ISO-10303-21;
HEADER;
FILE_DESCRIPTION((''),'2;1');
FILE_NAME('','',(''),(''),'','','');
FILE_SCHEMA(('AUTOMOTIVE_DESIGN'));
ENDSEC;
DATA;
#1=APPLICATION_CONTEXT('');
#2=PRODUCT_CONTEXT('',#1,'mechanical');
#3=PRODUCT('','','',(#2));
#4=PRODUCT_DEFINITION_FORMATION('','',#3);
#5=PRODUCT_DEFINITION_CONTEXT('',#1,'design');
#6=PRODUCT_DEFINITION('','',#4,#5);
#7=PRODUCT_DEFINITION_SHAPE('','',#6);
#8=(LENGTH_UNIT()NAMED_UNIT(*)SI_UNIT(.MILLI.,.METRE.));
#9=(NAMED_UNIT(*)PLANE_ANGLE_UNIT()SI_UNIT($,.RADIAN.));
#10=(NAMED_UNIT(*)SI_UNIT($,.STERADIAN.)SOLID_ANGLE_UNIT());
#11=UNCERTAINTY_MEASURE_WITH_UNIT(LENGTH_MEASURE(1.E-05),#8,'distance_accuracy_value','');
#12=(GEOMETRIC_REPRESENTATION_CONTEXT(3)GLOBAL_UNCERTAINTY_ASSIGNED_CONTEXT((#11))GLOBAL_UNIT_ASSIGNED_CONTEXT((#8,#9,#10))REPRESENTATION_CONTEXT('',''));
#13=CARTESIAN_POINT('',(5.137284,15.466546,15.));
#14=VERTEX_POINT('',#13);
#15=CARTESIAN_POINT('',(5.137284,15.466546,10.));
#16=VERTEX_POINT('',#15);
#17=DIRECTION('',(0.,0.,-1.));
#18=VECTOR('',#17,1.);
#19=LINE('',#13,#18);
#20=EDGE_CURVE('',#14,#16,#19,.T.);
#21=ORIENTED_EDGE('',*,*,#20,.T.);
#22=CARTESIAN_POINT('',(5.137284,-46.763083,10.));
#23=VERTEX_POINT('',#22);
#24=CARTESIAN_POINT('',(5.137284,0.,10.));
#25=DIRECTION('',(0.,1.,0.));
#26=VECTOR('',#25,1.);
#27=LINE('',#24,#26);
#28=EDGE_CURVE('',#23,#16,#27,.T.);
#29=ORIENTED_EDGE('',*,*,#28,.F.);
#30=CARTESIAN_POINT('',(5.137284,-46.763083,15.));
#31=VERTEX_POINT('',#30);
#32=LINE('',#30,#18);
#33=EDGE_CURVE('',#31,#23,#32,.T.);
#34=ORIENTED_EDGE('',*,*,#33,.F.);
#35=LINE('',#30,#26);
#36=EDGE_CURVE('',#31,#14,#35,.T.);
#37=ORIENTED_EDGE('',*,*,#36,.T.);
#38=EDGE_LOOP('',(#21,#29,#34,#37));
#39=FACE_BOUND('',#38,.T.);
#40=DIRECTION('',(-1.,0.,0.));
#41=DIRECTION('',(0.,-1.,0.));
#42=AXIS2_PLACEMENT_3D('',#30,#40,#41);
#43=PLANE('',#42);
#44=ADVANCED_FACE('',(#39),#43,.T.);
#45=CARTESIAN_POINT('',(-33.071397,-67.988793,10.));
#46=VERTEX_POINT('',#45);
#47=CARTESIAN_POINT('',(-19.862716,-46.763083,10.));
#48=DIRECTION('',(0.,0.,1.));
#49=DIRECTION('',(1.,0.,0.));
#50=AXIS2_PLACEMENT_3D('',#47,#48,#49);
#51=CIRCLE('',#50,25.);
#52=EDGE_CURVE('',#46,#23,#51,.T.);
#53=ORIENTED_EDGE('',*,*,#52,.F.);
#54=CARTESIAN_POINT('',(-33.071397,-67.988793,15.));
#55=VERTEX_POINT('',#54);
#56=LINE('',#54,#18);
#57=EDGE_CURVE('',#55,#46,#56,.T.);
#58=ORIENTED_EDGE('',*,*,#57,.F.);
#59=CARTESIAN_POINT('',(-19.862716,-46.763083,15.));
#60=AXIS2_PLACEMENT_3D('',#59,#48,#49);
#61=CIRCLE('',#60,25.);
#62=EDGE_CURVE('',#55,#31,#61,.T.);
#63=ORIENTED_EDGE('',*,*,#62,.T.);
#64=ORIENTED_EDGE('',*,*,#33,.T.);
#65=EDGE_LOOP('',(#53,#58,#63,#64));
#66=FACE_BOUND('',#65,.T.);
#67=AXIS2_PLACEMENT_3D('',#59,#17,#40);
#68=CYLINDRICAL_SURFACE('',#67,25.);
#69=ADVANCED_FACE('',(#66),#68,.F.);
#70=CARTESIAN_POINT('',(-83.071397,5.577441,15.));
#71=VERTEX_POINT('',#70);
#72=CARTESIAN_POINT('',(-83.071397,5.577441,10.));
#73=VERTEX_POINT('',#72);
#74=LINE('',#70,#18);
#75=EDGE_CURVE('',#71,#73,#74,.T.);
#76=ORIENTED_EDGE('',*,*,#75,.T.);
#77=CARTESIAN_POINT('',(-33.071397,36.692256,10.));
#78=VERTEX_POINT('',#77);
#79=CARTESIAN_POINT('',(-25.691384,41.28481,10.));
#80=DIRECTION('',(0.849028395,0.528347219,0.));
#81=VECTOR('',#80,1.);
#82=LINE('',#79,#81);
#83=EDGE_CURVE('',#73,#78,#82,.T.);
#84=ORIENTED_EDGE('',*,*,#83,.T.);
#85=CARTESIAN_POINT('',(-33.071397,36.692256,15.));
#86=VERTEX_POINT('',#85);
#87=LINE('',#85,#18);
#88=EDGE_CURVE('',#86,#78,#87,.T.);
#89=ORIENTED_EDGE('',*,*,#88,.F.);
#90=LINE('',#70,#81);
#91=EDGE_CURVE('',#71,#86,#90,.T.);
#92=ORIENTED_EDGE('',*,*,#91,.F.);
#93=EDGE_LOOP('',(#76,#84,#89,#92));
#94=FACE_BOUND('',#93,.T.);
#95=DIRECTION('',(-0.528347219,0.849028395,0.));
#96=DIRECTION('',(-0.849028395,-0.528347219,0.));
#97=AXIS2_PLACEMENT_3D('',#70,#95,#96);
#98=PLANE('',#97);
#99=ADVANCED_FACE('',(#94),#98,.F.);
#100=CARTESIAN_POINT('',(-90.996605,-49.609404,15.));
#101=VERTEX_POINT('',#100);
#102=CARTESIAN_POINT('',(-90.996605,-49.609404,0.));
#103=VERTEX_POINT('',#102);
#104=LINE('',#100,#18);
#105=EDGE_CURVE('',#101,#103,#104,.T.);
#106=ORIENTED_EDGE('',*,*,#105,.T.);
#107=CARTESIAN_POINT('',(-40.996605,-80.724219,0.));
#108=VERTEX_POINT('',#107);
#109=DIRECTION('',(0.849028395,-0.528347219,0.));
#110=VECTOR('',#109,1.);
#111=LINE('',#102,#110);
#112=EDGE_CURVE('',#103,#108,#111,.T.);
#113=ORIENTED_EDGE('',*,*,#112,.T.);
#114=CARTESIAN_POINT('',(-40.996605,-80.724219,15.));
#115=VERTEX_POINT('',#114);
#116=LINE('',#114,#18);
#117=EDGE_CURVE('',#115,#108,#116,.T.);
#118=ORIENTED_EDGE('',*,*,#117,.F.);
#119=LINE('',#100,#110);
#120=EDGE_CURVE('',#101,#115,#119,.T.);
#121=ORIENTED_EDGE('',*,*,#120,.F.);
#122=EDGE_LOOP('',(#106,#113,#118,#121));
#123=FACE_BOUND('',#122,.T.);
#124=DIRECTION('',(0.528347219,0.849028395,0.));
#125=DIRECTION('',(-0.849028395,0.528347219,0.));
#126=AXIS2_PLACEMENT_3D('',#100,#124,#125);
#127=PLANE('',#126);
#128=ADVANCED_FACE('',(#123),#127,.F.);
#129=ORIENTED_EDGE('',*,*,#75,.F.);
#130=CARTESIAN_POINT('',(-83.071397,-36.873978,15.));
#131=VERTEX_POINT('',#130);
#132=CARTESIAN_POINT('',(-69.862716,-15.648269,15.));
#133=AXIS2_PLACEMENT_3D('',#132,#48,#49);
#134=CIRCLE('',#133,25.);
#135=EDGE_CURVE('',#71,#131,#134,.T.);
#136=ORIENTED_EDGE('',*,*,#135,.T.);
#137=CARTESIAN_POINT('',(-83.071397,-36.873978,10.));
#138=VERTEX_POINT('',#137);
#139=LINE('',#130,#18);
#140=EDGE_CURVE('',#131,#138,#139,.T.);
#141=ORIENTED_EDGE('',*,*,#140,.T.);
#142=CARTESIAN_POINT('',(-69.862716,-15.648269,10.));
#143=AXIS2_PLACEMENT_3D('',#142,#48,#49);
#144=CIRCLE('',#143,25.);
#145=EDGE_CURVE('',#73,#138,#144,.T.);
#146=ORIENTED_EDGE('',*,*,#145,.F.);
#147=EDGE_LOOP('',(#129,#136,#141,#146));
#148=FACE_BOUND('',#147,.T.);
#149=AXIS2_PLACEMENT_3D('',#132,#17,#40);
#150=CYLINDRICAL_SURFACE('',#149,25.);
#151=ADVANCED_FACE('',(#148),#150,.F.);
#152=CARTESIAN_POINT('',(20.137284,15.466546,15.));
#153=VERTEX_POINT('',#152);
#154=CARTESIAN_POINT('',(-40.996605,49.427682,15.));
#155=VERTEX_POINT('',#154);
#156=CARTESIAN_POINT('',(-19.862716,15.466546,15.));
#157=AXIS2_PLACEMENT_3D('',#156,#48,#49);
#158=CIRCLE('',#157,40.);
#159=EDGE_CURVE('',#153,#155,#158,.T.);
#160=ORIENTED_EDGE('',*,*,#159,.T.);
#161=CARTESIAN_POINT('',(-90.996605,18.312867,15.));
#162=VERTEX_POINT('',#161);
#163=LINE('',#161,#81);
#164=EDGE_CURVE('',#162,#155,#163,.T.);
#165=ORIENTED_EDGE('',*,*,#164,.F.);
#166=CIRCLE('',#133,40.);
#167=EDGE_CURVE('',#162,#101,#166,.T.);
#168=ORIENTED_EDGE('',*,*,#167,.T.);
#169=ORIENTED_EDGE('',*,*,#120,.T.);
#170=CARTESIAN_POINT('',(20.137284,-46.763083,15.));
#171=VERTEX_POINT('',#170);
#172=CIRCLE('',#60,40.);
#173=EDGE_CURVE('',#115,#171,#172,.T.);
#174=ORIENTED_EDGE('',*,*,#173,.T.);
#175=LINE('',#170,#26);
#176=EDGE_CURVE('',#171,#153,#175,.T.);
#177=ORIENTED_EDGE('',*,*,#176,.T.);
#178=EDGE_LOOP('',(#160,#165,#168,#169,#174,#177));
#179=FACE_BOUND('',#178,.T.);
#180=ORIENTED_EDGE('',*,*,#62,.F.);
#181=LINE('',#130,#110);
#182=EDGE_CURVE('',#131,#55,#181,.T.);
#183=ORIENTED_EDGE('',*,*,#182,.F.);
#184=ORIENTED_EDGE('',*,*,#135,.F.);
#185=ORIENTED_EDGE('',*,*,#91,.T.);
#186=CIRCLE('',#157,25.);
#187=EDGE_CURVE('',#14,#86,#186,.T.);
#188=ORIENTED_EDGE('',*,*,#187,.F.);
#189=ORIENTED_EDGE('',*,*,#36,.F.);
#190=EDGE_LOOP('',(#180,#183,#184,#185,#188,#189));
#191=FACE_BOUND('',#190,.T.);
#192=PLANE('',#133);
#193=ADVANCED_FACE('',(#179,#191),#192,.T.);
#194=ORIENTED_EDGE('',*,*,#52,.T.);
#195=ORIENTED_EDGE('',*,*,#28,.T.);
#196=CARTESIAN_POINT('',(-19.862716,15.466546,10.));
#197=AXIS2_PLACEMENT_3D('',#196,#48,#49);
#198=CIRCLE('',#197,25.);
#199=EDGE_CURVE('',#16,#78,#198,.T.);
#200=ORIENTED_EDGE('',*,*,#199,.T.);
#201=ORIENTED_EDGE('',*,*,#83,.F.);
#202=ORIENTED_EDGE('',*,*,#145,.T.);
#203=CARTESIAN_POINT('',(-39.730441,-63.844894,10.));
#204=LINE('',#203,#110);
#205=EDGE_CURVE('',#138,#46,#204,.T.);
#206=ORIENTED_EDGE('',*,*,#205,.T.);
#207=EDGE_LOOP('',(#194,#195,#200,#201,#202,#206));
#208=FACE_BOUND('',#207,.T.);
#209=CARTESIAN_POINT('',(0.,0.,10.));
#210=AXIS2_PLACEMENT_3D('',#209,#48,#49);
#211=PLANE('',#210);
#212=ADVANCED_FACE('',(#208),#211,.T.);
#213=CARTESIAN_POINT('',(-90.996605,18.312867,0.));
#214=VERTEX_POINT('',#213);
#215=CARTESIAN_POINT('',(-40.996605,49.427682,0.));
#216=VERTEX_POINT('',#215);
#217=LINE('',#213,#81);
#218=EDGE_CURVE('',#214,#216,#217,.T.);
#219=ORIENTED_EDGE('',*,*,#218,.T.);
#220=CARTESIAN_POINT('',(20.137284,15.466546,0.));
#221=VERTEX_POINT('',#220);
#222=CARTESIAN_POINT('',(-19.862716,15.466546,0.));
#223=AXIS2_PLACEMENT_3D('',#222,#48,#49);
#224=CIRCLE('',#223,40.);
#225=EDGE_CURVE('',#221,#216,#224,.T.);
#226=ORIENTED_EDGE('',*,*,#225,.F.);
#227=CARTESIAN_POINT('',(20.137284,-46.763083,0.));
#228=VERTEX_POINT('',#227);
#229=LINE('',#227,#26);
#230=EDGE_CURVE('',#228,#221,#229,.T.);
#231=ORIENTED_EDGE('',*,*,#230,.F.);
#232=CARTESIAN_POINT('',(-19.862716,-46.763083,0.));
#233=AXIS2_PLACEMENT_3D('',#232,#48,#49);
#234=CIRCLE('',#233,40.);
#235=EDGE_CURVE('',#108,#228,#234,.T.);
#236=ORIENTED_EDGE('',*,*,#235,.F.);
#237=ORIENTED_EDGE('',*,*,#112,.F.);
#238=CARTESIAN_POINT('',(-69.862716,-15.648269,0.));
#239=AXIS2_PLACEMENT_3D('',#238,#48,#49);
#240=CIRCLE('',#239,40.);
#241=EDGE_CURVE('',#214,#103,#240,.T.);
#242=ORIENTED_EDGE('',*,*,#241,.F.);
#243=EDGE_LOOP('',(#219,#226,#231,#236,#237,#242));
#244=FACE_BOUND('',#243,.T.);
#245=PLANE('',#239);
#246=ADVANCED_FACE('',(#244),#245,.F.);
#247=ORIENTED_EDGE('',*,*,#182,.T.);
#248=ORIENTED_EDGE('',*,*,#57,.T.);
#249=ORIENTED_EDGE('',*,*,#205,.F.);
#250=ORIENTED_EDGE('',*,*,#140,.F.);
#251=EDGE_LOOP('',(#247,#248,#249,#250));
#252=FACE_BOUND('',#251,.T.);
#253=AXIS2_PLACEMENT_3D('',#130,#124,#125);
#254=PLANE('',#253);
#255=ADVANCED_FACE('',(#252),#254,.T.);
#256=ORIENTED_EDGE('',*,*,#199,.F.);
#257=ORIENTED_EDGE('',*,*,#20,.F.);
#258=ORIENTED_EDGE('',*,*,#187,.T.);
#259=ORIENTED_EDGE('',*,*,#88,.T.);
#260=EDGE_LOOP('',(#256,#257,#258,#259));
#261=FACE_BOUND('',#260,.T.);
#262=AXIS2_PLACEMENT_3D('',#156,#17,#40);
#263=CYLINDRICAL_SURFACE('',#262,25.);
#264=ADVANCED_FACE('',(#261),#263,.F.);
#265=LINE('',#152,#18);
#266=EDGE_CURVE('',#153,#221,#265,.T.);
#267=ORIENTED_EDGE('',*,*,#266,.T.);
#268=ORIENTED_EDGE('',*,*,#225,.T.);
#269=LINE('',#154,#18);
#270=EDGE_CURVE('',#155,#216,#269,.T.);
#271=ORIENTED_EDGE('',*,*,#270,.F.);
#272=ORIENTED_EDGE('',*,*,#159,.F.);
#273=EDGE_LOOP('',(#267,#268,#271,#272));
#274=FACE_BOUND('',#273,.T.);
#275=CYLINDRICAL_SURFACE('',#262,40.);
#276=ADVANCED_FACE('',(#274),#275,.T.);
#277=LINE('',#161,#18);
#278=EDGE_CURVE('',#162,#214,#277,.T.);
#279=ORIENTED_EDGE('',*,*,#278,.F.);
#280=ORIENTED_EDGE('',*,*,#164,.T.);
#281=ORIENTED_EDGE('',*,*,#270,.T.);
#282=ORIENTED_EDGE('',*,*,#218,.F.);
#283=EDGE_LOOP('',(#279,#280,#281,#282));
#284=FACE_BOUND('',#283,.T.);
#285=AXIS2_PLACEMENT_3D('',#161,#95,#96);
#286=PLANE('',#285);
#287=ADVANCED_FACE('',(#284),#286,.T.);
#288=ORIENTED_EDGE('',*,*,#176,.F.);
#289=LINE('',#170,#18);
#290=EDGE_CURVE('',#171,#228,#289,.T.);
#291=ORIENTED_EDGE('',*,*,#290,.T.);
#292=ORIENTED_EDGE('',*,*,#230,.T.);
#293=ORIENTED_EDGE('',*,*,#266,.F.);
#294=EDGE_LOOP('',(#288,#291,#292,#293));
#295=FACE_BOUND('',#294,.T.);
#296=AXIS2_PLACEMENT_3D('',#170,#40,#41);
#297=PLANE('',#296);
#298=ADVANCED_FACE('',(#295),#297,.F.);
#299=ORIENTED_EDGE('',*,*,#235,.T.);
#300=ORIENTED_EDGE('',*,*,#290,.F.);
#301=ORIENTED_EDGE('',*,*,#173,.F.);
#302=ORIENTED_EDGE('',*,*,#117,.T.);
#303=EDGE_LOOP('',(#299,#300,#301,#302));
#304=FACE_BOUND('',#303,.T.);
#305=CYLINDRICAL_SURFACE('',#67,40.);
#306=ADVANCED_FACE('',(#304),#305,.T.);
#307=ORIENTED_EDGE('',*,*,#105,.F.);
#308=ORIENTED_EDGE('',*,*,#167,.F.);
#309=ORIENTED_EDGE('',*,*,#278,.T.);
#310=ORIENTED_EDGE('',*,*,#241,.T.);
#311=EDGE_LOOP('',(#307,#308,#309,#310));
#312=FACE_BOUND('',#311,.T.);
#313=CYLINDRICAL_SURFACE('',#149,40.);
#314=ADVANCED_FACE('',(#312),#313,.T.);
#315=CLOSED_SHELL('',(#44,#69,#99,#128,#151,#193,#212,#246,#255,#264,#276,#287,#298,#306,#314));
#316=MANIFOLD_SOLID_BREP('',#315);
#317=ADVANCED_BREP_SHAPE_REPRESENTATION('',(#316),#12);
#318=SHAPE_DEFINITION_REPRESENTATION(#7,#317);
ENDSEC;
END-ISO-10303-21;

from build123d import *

# Parameters (mm, degrees)
Y_KSEKLIK_EKSTR_ZYON1_DEPTH = 15
BOSS_EXTRUDE1_DEPTH         = 10


with BuildPart() as part:
    # Çizim1 → Yükseklik-Ekstrüzyon1 (new body)
    with BuildSketch(Plane.XY):
        with BuildLine():
            Line((-90.996604912, -49.609404393), (-40.996604912, -80.724218798))
            ThreePointArc((-40.996604912, -80.724218798), (-0.437932375, -81.729892604), (20.137283846, -46.763082981))
            Line((20.137283846, -46.763082981), (20.137283846, 15.466545829))
            ThreePointArc((20.137283846, 15.466545829), (-0.437932375, 50.433355451), (-40.996604912, 49.427681645))
            Line((-40.996604912, 49.427681645), (-90.996604912, 18.31286724))
            ThreePointArc((-90.996604912, 18.31286724), (-109.862716154, -15.648268576), (-90.996604912, -49.609404393))
        make_face()
        with BuildLine():
            Line((-83.071396628, -36.873978462), (-33.071396628, -67.988792867))
            ThreePointArc((-33.071396628, -67.988792867), (-7.722226292, -68.617338995), (5.137283846, -46.763082981))
            Line((5.137283846, -46.763082981), (5.137283846, 15.466545829))
            ThreePointArc((5.137283846, 15.466545829), (-7.722226292, 37.320801843), (-33.071396628, 36.692255714))
            Line((-33.071396628, 36.692255714), (-83.071396628, 5.577441309))
            ThreePointArc((-83.071396628, 5.577441309), (-94.862716154, -15.648268576), (-83.071396628, -36.873978462))
        make_face(mode=Mode.SUBTRACT)
    extrude(amount=Y_KSEKLIK_EKSTR_ZYON1_DEPTH)

    # Çizim1<3> → Boss-Extrude1 (add)
    with BuildSketch(Plane.XY):
        with BuildLine():
            Line((-83.071396628, -36.873978462), (-33.071396628, -67.988792867))
            ThreePointArc((-33.071396628, -67.988792867), (-7.722226292, -68.617338995), (5.137283846, -46.763082981))
            Line((5.137283846, -46.763082981), (5.137283846, 15.466545829))
            ThreePointArc((5.137283846, 15.466545829), (-7.722226292, 37.320801843), (-33.071396628, 36.692255714))
            Line((-33.071396628, 36.692255714), (-83.071396628, 5.577441309))
            ThreePointArc((-83.071396628, 5.577441309), (-94.862716154, -15.648268576), (-83.071396628, -36.873978462))
        make_face()
    extrude(amount=BOSS_EXTRUDE1_DEPTH)


solid = part.part
